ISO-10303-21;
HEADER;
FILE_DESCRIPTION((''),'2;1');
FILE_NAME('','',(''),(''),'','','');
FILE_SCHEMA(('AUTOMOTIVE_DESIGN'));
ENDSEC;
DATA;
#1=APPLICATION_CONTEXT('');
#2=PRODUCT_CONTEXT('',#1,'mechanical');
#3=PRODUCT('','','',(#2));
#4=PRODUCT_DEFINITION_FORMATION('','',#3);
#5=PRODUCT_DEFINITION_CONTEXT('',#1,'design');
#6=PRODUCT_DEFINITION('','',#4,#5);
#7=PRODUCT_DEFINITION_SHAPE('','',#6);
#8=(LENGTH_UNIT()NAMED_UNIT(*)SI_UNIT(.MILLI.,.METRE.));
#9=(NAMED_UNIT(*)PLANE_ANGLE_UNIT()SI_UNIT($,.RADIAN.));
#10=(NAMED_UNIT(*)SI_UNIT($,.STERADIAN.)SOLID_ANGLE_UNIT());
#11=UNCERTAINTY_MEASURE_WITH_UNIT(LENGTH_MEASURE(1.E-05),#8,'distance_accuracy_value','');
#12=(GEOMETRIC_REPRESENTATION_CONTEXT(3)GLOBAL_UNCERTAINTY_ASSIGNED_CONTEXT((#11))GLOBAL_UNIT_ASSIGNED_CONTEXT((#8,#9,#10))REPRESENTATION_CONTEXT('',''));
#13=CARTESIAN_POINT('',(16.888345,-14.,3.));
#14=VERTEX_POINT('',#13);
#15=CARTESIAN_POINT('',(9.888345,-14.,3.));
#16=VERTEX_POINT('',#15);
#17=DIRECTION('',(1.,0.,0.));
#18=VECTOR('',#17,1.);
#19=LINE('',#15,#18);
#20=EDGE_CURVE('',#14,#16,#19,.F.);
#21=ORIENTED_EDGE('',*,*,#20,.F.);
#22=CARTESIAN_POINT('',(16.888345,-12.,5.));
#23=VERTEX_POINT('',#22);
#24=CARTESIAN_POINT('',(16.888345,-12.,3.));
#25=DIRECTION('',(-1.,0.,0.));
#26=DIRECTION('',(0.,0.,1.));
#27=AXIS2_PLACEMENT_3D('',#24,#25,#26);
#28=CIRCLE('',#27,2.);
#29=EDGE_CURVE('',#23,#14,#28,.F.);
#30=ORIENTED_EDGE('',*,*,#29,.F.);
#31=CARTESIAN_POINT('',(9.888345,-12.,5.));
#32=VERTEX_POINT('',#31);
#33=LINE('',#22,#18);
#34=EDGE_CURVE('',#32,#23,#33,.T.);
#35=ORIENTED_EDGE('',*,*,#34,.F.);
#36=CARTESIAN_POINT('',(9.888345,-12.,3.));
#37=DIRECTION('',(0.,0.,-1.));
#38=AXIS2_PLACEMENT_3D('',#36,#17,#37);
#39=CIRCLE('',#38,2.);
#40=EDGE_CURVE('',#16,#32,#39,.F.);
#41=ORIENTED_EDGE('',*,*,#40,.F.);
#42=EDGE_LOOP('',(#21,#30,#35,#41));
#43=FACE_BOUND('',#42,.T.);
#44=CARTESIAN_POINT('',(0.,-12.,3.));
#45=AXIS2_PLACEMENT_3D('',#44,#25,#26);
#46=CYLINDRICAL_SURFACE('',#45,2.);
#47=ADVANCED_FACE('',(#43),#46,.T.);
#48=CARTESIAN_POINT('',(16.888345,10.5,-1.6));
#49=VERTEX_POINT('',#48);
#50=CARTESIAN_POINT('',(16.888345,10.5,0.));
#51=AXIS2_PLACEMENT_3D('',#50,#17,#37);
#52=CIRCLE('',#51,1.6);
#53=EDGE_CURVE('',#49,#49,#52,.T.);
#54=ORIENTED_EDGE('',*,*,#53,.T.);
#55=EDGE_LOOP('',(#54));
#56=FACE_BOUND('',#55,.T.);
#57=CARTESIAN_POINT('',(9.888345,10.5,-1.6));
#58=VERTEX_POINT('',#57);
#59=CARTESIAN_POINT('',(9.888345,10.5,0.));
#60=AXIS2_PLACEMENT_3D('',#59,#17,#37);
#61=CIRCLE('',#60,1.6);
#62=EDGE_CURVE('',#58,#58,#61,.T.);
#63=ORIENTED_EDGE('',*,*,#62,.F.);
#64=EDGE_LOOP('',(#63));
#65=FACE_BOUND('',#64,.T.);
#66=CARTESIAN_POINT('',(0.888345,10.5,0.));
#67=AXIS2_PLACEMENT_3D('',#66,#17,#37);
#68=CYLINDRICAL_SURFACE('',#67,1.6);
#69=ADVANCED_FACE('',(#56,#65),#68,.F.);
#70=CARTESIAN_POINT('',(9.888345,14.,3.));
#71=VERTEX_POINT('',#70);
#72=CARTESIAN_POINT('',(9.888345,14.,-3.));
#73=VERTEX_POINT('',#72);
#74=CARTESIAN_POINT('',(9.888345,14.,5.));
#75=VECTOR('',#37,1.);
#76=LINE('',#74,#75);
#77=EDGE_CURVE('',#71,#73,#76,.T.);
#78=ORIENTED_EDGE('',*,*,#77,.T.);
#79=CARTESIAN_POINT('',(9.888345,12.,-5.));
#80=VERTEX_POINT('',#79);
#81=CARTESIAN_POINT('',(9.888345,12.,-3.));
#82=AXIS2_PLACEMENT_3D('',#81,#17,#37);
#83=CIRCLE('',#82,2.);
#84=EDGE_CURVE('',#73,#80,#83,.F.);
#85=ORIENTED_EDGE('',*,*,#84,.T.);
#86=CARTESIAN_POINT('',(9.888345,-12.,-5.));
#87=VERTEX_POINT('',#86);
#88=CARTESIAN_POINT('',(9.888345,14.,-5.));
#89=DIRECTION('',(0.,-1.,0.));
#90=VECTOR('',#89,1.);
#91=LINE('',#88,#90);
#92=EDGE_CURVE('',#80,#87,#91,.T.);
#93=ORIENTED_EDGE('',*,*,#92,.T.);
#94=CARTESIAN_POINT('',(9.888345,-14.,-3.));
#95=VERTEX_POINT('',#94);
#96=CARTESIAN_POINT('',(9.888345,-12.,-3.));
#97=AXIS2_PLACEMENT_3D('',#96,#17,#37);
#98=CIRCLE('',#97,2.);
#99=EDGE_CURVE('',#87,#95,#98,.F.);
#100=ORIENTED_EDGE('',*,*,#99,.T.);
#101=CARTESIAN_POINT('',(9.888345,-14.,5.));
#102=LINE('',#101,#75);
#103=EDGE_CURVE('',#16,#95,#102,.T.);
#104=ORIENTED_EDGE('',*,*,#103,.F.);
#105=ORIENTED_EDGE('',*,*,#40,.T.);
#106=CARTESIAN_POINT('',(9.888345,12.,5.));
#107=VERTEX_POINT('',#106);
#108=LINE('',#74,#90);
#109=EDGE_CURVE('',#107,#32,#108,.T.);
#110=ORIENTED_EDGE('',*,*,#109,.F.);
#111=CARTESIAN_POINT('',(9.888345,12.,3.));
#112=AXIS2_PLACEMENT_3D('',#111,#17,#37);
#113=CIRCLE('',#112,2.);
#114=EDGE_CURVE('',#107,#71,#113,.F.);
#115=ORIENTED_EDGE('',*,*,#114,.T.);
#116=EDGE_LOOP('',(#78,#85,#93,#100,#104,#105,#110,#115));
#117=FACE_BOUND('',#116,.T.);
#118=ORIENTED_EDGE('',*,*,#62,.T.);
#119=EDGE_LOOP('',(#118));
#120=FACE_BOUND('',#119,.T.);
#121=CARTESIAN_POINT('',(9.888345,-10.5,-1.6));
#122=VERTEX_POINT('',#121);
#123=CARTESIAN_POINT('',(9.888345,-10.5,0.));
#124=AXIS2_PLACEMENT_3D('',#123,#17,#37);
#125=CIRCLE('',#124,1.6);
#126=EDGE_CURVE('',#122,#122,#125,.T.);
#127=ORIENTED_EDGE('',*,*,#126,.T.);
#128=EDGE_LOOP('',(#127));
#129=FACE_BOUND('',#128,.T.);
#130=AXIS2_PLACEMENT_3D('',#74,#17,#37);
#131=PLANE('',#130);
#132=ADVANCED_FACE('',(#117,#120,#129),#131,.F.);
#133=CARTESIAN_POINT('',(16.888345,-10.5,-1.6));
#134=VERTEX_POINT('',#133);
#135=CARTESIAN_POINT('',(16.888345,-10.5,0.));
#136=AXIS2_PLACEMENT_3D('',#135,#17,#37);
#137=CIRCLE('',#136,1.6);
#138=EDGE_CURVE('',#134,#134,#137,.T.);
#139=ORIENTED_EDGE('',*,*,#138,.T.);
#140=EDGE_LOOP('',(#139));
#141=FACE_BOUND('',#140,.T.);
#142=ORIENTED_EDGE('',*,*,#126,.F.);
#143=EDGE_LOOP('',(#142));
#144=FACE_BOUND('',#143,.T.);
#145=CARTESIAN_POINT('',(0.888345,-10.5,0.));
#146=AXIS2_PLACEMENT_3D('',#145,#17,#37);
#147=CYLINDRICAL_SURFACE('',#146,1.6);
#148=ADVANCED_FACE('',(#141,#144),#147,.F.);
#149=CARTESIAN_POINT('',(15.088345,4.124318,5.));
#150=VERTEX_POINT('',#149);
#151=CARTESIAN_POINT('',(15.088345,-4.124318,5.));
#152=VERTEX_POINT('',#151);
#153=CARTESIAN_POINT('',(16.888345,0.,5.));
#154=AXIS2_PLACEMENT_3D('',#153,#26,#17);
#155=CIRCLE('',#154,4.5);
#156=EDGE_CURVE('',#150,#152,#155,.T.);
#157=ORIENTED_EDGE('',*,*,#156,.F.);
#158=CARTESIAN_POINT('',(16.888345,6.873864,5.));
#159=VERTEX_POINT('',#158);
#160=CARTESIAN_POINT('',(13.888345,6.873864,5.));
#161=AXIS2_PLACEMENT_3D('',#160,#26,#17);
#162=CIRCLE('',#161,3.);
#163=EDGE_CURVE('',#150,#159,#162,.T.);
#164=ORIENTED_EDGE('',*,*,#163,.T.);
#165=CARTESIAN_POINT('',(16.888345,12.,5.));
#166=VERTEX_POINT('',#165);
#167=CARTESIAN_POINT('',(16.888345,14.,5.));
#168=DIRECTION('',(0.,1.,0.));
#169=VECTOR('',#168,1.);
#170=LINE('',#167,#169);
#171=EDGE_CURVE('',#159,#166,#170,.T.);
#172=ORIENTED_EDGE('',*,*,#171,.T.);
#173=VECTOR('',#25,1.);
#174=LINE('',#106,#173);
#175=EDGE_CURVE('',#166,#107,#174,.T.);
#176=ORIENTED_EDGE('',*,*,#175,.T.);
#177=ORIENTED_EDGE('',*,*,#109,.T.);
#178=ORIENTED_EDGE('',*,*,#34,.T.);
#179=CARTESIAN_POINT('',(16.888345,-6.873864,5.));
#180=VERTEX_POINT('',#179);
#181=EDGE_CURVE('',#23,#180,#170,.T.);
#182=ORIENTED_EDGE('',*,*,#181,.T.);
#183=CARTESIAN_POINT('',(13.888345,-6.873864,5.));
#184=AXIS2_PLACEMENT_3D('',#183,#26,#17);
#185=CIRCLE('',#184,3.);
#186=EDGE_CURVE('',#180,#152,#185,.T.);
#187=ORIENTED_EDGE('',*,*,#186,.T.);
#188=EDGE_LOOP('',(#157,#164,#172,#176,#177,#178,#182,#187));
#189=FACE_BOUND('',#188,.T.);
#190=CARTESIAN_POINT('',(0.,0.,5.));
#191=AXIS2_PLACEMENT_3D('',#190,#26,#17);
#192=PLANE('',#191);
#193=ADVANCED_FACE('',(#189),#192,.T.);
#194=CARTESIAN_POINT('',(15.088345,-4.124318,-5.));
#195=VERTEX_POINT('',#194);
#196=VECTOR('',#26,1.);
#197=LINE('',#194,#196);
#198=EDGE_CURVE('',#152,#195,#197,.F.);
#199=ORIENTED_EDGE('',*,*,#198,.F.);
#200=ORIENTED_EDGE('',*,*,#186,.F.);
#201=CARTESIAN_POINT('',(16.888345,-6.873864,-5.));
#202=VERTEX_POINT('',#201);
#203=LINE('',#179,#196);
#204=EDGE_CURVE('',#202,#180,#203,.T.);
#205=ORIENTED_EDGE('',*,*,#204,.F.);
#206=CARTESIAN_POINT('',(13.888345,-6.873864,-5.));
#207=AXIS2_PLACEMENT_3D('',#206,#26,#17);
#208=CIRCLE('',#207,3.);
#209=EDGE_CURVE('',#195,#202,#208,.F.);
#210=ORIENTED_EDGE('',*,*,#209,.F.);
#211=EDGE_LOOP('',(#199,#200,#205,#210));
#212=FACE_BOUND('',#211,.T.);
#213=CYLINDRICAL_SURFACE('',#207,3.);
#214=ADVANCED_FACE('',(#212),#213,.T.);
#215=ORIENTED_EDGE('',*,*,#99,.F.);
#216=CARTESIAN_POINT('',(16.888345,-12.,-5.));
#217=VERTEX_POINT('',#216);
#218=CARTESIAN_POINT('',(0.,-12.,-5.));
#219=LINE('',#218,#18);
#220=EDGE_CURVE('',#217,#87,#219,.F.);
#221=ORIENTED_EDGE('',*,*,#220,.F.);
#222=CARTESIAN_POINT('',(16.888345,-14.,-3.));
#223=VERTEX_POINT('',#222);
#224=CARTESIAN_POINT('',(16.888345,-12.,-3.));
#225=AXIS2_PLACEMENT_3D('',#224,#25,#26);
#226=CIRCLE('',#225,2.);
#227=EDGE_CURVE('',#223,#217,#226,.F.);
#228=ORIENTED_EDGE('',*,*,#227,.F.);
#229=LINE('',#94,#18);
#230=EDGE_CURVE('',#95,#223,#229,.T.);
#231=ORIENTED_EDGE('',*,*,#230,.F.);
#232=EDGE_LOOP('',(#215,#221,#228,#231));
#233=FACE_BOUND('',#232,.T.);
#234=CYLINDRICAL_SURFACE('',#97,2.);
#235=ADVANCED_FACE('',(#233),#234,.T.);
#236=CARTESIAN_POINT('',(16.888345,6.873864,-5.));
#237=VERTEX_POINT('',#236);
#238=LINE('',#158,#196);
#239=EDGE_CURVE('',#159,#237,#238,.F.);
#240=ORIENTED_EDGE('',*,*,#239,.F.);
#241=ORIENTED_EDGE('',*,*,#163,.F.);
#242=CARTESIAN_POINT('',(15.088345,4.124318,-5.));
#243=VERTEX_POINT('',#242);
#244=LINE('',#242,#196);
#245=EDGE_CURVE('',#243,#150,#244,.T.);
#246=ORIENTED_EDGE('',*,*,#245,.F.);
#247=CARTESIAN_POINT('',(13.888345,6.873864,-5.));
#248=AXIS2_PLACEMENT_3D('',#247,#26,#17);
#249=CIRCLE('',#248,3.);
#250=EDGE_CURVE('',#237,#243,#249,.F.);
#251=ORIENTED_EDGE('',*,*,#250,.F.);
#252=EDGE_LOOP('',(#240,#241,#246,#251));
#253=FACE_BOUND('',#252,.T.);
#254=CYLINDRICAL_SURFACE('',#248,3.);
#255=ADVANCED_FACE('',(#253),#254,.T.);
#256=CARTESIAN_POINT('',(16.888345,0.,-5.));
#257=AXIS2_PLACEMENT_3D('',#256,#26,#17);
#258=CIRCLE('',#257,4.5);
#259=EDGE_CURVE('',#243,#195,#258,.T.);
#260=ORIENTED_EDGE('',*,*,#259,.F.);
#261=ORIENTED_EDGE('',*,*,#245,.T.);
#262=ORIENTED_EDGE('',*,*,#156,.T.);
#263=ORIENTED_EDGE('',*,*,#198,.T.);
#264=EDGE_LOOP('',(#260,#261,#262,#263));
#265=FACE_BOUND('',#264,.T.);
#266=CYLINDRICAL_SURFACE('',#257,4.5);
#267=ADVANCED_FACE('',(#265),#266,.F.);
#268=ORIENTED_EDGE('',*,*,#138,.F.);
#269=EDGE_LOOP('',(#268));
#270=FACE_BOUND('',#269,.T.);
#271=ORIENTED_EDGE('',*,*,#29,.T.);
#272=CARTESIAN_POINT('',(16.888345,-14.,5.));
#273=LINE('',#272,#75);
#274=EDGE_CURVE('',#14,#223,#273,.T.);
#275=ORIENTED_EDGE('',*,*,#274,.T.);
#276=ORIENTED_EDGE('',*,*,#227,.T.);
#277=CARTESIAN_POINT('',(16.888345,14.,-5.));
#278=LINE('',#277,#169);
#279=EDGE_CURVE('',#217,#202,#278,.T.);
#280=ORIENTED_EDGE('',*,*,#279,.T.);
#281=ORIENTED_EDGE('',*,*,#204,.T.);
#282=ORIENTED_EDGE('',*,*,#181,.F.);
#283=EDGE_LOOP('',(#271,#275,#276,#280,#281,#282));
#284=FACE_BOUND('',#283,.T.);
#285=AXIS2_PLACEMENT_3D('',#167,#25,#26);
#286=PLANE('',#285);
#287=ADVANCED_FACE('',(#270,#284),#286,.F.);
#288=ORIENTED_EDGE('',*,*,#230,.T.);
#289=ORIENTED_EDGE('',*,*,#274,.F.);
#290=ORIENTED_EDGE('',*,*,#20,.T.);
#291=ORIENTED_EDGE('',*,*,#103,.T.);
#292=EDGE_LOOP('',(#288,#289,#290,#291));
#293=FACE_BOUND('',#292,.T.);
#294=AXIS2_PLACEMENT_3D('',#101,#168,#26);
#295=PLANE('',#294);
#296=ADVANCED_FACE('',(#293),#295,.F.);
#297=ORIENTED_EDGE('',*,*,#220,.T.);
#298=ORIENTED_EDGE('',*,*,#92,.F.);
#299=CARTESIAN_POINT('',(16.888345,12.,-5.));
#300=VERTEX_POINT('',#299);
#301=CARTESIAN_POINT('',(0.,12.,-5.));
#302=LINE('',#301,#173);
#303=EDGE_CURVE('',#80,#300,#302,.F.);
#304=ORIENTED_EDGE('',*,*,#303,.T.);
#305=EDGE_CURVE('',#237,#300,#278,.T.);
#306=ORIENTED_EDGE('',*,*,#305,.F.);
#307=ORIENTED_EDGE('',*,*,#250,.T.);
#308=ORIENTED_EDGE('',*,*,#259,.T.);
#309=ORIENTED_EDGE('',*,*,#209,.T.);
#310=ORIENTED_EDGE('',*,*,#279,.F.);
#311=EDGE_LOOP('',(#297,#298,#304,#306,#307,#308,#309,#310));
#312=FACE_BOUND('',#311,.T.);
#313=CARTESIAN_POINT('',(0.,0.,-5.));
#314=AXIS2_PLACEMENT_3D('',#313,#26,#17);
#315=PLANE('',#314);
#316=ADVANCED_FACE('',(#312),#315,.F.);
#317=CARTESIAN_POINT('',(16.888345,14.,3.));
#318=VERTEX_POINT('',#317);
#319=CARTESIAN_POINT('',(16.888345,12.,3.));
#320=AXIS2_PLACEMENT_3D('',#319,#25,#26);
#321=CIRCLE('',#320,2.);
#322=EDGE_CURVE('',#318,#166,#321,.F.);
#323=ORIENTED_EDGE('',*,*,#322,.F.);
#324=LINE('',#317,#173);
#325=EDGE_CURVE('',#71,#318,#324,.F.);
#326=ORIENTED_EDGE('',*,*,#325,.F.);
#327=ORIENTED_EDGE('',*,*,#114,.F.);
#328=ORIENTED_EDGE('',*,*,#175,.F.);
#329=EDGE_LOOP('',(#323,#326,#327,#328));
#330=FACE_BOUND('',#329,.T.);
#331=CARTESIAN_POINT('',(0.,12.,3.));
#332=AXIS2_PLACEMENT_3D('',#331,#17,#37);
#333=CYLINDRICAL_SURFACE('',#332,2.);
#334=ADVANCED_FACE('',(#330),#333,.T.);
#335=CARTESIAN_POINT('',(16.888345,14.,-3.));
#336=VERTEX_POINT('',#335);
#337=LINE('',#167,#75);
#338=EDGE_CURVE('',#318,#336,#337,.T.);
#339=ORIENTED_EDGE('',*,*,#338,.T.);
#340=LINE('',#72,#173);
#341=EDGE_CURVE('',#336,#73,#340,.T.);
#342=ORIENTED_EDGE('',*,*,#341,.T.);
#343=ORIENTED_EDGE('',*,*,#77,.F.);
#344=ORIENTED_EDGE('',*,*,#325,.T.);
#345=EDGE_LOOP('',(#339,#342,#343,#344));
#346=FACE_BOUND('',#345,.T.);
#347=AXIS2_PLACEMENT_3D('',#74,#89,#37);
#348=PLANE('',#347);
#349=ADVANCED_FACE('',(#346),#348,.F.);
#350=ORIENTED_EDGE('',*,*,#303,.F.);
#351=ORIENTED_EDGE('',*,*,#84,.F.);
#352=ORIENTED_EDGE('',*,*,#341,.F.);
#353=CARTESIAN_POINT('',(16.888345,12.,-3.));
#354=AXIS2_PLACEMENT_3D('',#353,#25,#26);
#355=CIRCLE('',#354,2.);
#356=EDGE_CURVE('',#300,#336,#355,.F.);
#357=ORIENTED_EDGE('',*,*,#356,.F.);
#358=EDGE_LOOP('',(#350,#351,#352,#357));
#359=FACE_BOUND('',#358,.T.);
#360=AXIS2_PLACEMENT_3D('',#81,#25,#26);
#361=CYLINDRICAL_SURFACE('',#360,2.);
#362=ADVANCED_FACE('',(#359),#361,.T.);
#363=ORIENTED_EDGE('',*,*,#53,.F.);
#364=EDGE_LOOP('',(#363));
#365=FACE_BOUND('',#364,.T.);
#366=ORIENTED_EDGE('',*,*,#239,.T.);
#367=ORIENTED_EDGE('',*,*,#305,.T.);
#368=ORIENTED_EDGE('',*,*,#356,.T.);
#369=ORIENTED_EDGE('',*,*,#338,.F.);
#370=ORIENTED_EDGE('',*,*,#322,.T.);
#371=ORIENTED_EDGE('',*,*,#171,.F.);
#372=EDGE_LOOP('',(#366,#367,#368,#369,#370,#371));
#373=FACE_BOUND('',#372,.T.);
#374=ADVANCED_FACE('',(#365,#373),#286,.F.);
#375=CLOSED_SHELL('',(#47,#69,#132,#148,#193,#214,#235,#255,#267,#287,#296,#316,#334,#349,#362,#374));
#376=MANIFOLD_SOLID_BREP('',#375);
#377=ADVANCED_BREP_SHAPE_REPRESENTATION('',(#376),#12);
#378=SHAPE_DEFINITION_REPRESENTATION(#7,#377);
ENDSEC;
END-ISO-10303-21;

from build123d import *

# Parameters (mm, degrees)
SKETCH1_W               = 12
SKETCH1_H               = 2.1
BOSS_EXTRUDE1_DEPTH     = 3
BOSS_EXTRUDE1_2_DEPTH   = 3
SKETCH2_W               = 4
SKETCH2_H               = 6
BOSS_EXTRUDE2_DEPTH     = 6
SKETCH3_W               = 7
SKETCH3_H               = 28
BOSS_EXTRUDE3_DEPTH     = 5
CUT_EXTRUDE1_DEPTH      = 25.108425983
CUT_EXTRUDE1_DEPTH_BACK = 25.108425983
SKETCH5_R               = 4.5
FILLET1_R               = 3
FILLET2_R               = 2
SKETCH6_R               = 1.6
CUT_EXTRUDE2_DEPTH      = 16
SKETCH7_W               = 18.107499601
SKETCH7_H               = 21.771661969
CUT_EXTRUDE3_DEPTH      = 30


with BuildPart() as part:
    # Sketch1 → Boss-Extrude1 (new, symmetric)
    with BuildSketch(Plane.XY):
        with Locations((0, 1.95)):
            Rectangle(SKETCH1_W, SKETCH1_H)
    extrude(amount=BOSS_EXTRUDE1_DEPTH, both=True)


with BuildPart() as body_2:
    # Sketch1 → Boss-Extrude1 2 (new, symmetric)
    with BuildSketch(Plane.XY):
        with Locations((0, -1.95)):
            Rectangle(SKETCH1_W, SKETCH1_H)
    extrude(amount=BOSS_EXTRUDE1_2_DEPTH, both=True)


with BuildPart() as body_3:
    # Sketch2 → Boss-Extrude2 (new body)
    with BuildSketch(Plane.XY.offset(3)):
        with Locations((8, 0)):
            Rectangle(SKETCH2_W, SKETCH2_H)
    extrude(amount=-BOSS_EXTRUDE2_DEPTH)

    # Sketch3 → Boss-Extrude3 (add, symmetric)
    with BuildSketch(Plane.XY):
        with Locations((13.388345193, 0)):
            Rectangle(SKETCH3_W, SKETCH3_H)
    extrude(amount=BOSS_EXTRUDE3_DEPTH, both=True)

    # Sketch5 → Cut-Extrude1 (cut, two sides: drawn at the far end of the back side and taken through both)
    with BuildSketch(Plane.XY.offset(5).offset(-CUT_EXTRUDE1_DEPTH_BACK)):
        with Locations((16.888345193, 0)):
            Circle(SKETCH5_R)
    extrude(amount=CUT_EXTRUDE1_DEPTH + CUT_EXTRUDE1_DEPTH_BACK, mode=Mode.SUBTRACT)

    # Fillet1
    fillet1_edges = [body_3.edges().sort_by_distance(p)[0] for p in [
        (9.888345193, -3, 0),
        (9.888345193, 3, 0),
        (16.888345193, -4.5, 0),
        (16.888345193, 4.5, 0),
    ]]
    fillet(fillet1_edges, radius=FILLET1_R)

    # Fillet2
    fillet2_edges = [body_3.edges().sort_by_distance(p)[0] for p in [
        (13.388345193, -14, -5),
        (13.388345193, 14, -5),
        (13.388345193, -14, 5),
        (13.388345193, 14, 5),
    ]]
    fillet(fillet2_edges, radius=FILLET2_R)

    # Sketch6 → Cut-Extrude2 (cut)
    with BuildSketch(Plane(origin=(16.888345193, 0, 0), x_dir=(0, 0, -1), z_dir=(1, 0, 0))):
        with Locations((0, 10.5)):
            Circle(SKETCH6_R)
        with Locations((0, -10.5)):
            Circle(SKETCH6_R)
    extrude(amount=-CUT_EXTRUDE2_DEPTH, mode=Mode.SUBTRACT)


with BuildPart() as cut_extrude3_tool:
    # Sketch7 → Cut-Extrude3 (new body)
    with BuildSketch(Plane.XY.offset(5)):
        with Locations((0.834595393, 1.114169015)):
            Rectangle(SKETCH7_W, SKETCH7_H)
    extrude(amount=-CUT_EXTRUDE3_DEPTH)


with BuildPart() as part_1:
    add(part.part)

    # Cut-Extrude3: cut by cut_extrude3_tool
    add(cut_extrude3_tool.part, mode=Mode.SUBTRACT)


with BuildPart() as body_2_1:
    add(body_2.part)

    # Cut-Extrude3: cut by cut_extrude3_tool
    add(cut_extrude3_tool.part, mode=Mode.SUBTRACT)


with BuildPart() as body_3_1:
    add(body_3.part)

    # Cut-Extrude3: cut by cut_extrude3_tool
    add(cut_extrude3_tool.part, mode=Mode.SUBTRACT)


solid = body_3_1.part
